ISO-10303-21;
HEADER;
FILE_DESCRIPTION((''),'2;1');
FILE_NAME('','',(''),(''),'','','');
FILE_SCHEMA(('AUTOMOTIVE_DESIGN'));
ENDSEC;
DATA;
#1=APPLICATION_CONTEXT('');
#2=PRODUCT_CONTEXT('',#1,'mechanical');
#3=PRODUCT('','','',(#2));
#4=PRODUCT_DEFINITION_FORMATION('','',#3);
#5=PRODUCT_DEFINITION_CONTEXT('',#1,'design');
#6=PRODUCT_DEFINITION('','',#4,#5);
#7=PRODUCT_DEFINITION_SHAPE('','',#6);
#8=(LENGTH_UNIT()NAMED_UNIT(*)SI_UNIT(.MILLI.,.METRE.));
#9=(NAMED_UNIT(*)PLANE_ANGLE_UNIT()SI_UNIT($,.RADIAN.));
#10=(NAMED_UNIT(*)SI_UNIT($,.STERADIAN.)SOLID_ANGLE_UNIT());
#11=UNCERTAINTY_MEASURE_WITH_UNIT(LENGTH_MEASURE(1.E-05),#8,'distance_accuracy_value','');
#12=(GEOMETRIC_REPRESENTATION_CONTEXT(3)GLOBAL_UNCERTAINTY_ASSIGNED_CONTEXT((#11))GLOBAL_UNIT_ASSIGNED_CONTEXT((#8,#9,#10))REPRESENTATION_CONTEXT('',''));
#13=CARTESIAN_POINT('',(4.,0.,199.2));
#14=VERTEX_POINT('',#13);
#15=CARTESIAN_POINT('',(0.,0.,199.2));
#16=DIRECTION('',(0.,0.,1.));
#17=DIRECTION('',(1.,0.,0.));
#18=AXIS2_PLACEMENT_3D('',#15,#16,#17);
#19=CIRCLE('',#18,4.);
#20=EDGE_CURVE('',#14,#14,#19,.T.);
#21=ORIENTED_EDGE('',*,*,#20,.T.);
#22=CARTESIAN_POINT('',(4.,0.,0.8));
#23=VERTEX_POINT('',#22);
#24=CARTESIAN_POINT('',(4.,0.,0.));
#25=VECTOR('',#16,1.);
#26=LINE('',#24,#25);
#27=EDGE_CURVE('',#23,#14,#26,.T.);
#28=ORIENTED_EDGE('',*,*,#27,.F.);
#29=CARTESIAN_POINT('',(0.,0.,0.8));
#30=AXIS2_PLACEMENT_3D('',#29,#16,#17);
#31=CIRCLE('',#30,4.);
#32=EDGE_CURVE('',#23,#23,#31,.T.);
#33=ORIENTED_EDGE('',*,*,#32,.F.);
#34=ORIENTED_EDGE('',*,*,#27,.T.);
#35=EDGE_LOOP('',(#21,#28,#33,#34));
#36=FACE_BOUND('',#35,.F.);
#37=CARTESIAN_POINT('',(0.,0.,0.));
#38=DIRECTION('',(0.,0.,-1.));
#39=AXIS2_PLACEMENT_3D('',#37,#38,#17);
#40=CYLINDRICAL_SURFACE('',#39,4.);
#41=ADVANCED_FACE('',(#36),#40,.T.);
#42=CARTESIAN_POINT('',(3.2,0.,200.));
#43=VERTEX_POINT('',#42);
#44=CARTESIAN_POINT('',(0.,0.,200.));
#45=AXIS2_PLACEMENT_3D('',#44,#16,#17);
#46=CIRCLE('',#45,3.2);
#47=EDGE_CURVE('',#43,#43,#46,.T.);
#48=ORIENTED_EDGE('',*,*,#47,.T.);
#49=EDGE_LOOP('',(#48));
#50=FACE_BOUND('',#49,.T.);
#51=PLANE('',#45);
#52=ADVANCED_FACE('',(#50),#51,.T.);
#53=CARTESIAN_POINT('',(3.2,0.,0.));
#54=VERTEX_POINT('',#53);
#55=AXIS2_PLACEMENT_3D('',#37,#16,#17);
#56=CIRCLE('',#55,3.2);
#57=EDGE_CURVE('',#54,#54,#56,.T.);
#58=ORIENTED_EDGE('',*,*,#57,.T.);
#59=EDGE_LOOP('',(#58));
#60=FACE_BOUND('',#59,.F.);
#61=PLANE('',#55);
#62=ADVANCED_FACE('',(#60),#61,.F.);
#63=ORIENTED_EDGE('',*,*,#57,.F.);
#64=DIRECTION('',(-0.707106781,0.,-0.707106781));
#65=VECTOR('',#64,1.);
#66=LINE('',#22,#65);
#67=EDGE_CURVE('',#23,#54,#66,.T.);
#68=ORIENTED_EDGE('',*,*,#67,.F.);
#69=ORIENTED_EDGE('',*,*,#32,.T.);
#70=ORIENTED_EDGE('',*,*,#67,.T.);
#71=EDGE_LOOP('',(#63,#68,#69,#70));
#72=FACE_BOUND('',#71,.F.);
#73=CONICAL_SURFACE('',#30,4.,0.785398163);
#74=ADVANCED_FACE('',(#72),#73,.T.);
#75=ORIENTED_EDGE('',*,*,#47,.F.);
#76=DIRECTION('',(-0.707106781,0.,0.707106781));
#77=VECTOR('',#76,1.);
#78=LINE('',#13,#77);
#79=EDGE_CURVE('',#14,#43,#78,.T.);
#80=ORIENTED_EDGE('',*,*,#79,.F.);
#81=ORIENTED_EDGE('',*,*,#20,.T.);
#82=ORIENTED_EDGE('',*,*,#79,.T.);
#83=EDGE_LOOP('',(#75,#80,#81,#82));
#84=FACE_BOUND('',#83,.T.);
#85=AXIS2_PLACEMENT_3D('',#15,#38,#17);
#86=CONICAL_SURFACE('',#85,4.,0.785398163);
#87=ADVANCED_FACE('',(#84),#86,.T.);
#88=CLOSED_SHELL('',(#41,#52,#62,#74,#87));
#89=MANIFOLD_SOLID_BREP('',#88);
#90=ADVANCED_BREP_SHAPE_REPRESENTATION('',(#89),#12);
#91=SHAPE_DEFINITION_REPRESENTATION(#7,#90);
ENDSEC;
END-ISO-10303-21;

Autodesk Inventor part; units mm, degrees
ref_plane "YZ Plane" through (0, 0, 0) normal (1, 0, 0) x (0, 1, 0)
ref_plane "XZ Plane" through (0, 0, 0) normal (0, 1, 0) x (-1, 0, 0)
ref_plane "XY Plane" through (0, 0, 0) normal (0, 0, 1) x (1, 0, 0)
sketch "Sketch1" plane through (0, 0, 0) normal (0, 0, 1) x (1, 0, 0)
  circle A0 centre (0, 0) radius 4
  dimension "d0" = 8
extrude "Extrusion1" add sketch "Sketch1" along normal blind 200
thread "Thread1" size "TR8x1.5" class "7e" standard "ISO Metric Trapezoidal Threads" full length
chamfer "Chamfer1" distance 0.8 angle 45 2 edges at (-4, 0, 200) (-4, 0, 0)
properties part number "barra t8"
